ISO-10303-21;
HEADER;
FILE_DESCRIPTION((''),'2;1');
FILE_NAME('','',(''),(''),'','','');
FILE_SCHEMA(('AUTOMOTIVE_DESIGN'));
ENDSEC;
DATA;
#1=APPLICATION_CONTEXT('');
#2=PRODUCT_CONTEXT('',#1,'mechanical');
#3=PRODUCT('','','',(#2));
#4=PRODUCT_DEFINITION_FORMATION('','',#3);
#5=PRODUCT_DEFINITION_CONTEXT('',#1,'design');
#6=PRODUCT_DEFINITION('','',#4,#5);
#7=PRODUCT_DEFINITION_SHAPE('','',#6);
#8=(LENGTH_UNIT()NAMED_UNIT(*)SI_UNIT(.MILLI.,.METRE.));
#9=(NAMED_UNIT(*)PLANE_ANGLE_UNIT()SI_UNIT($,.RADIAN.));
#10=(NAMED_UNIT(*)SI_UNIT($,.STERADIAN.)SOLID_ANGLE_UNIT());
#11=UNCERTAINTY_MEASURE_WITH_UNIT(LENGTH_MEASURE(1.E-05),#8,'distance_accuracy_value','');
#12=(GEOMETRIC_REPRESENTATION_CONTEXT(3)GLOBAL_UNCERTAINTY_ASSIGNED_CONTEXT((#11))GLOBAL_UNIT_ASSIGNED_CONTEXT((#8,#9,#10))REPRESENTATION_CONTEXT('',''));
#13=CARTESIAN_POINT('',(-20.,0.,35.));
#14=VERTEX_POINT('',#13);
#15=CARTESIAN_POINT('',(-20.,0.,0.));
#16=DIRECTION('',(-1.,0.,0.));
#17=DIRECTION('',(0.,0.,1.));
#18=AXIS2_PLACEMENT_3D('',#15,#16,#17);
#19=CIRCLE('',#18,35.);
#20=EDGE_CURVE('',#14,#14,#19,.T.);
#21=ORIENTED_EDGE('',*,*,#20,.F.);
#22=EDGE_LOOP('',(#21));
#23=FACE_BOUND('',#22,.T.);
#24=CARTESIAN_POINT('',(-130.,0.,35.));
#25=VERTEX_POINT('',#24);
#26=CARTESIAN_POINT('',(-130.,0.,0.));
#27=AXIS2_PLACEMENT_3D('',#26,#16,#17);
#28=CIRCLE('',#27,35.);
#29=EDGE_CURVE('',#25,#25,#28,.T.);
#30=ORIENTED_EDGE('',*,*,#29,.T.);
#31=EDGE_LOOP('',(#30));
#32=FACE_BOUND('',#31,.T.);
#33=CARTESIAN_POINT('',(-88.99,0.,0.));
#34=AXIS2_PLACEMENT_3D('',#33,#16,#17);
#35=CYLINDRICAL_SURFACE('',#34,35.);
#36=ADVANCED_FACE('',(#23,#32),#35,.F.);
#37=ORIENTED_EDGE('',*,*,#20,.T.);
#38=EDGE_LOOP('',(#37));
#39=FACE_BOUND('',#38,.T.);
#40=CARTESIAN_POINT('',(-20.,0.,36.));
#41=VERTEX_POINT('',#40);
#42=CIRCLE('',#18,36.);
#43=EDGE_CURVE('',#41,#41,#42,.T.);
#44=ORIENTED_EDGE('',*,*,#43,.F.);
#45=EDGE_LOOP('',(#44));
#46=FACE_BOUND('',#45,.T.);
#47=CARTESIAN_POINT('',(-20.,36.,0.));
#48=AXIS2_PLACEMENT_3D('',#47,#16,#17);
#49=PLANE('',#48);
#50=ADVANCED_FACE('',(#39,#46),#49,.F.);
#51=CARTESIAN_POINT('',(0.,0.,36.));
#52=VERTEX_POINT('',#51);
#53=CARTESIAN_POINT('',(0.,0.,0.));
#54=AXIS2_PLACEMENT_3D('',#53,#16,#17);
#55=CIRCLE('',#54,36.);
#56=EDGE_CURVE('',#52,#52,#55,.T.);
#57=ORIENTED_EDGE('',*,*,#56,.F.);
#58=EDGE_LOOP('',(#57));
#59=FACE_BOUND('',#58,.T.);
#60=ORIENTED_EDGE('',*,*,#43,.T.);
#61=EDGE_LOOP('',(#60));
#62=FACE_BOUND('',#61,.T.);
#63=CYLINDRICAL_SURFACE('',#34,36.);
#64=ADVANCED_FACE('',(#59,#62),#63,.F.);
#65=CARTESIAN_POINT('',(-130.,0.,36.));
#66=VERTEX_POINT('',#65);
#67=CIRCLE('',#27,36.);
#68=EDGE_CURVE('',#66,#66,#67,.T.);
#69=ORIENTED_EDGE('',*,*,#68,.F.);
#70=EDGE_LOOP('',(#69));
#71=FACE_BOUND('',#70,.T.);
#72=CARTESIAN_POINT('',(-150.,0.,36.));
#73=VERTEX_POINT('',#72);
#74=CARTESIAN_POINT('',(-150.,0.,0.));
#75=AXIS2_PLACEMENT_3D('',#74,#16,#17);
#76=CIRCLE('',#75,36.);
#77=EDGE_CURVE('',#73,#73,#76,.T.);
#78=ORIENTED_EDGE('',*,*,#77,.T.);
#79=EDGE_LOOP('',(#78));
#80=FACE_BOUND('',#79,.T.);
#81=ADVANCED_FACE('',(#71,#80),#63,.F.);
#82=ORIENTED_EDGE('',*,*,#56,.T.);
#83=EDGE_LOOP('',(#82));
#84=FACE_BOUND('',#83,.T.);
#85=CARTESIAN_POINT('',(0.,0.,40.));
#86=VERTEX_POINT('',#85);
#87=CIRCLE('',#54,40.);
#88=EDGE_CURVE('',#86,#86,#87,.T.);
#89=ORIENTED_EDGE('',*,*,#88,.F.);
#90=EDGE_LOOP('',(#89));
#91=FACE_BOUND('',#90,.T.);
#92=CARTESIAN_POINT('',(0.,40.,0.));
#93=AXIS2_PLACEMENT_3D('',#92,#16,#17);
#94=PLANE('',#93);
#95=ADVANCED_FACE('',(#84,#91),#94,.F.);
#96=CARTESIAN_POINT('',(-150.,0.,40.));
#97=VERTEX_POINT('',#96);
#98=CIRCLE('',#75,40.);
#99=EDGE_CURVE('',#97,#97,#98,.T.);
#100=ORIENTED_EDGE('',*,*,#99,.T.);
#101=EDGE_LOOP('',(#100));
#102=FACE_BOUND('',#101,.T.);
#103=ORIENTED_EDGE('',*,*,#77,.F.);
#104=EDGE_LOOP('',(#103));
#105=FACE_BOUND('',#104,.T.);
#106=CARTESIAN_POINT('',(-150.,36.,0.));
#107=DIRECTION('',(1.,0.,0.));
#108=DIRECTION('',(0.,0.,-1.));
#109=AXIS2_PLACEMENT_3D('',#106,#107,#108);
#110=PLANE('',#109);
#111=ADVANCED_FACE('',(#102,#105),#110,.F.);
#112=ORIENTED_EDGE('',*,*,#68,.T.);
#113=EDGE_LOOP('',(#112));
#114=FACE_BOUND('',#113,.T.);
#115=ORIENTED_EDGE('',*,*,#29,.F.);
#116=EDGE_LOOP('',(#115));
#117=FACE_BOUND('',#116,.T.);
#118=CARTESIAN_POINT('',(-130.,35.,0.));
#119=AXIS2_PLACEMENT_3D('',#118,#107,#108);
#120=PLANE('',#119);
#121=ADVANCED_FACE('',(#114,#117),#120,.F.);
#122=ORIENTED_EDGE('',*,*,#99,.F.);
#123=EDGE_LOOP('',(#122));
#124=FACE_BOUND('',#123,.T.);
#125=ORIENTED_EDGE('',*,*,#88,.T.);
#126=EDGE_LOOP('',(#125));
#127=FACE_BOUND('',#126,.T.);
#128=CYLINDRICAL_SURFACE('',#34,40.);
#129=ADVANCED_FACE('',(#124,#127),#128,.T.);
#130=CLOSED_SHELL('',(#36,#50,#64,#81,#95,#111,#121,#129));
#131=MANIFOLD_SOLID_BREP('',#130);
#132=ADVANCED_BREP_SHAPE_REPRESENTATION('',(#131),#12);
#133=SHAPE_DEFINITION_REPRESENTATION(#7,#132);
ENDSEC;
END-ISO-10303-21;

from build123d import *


with BuildPart() as part:
    # Çizim1 → Döndür1 (revolve)
    with BuildSketch(Plane.XY, mode=Mode.PRIVATE) as d_nd_r1_sk:
        Polygon((-150, 40), (0, 40), (0, 36), (-20, 36), (-20, 35), (-130, 35), (-130, 36), (-150, 36), align=None)
    revolve(d_nd_r1_sk.sketch.rotate(Axis((-88.99, 0, 0), (1, 0, 0)), 90), axis=Axis((-88.99, 0, 0), (1, 0, 0)))


solid = part.part
